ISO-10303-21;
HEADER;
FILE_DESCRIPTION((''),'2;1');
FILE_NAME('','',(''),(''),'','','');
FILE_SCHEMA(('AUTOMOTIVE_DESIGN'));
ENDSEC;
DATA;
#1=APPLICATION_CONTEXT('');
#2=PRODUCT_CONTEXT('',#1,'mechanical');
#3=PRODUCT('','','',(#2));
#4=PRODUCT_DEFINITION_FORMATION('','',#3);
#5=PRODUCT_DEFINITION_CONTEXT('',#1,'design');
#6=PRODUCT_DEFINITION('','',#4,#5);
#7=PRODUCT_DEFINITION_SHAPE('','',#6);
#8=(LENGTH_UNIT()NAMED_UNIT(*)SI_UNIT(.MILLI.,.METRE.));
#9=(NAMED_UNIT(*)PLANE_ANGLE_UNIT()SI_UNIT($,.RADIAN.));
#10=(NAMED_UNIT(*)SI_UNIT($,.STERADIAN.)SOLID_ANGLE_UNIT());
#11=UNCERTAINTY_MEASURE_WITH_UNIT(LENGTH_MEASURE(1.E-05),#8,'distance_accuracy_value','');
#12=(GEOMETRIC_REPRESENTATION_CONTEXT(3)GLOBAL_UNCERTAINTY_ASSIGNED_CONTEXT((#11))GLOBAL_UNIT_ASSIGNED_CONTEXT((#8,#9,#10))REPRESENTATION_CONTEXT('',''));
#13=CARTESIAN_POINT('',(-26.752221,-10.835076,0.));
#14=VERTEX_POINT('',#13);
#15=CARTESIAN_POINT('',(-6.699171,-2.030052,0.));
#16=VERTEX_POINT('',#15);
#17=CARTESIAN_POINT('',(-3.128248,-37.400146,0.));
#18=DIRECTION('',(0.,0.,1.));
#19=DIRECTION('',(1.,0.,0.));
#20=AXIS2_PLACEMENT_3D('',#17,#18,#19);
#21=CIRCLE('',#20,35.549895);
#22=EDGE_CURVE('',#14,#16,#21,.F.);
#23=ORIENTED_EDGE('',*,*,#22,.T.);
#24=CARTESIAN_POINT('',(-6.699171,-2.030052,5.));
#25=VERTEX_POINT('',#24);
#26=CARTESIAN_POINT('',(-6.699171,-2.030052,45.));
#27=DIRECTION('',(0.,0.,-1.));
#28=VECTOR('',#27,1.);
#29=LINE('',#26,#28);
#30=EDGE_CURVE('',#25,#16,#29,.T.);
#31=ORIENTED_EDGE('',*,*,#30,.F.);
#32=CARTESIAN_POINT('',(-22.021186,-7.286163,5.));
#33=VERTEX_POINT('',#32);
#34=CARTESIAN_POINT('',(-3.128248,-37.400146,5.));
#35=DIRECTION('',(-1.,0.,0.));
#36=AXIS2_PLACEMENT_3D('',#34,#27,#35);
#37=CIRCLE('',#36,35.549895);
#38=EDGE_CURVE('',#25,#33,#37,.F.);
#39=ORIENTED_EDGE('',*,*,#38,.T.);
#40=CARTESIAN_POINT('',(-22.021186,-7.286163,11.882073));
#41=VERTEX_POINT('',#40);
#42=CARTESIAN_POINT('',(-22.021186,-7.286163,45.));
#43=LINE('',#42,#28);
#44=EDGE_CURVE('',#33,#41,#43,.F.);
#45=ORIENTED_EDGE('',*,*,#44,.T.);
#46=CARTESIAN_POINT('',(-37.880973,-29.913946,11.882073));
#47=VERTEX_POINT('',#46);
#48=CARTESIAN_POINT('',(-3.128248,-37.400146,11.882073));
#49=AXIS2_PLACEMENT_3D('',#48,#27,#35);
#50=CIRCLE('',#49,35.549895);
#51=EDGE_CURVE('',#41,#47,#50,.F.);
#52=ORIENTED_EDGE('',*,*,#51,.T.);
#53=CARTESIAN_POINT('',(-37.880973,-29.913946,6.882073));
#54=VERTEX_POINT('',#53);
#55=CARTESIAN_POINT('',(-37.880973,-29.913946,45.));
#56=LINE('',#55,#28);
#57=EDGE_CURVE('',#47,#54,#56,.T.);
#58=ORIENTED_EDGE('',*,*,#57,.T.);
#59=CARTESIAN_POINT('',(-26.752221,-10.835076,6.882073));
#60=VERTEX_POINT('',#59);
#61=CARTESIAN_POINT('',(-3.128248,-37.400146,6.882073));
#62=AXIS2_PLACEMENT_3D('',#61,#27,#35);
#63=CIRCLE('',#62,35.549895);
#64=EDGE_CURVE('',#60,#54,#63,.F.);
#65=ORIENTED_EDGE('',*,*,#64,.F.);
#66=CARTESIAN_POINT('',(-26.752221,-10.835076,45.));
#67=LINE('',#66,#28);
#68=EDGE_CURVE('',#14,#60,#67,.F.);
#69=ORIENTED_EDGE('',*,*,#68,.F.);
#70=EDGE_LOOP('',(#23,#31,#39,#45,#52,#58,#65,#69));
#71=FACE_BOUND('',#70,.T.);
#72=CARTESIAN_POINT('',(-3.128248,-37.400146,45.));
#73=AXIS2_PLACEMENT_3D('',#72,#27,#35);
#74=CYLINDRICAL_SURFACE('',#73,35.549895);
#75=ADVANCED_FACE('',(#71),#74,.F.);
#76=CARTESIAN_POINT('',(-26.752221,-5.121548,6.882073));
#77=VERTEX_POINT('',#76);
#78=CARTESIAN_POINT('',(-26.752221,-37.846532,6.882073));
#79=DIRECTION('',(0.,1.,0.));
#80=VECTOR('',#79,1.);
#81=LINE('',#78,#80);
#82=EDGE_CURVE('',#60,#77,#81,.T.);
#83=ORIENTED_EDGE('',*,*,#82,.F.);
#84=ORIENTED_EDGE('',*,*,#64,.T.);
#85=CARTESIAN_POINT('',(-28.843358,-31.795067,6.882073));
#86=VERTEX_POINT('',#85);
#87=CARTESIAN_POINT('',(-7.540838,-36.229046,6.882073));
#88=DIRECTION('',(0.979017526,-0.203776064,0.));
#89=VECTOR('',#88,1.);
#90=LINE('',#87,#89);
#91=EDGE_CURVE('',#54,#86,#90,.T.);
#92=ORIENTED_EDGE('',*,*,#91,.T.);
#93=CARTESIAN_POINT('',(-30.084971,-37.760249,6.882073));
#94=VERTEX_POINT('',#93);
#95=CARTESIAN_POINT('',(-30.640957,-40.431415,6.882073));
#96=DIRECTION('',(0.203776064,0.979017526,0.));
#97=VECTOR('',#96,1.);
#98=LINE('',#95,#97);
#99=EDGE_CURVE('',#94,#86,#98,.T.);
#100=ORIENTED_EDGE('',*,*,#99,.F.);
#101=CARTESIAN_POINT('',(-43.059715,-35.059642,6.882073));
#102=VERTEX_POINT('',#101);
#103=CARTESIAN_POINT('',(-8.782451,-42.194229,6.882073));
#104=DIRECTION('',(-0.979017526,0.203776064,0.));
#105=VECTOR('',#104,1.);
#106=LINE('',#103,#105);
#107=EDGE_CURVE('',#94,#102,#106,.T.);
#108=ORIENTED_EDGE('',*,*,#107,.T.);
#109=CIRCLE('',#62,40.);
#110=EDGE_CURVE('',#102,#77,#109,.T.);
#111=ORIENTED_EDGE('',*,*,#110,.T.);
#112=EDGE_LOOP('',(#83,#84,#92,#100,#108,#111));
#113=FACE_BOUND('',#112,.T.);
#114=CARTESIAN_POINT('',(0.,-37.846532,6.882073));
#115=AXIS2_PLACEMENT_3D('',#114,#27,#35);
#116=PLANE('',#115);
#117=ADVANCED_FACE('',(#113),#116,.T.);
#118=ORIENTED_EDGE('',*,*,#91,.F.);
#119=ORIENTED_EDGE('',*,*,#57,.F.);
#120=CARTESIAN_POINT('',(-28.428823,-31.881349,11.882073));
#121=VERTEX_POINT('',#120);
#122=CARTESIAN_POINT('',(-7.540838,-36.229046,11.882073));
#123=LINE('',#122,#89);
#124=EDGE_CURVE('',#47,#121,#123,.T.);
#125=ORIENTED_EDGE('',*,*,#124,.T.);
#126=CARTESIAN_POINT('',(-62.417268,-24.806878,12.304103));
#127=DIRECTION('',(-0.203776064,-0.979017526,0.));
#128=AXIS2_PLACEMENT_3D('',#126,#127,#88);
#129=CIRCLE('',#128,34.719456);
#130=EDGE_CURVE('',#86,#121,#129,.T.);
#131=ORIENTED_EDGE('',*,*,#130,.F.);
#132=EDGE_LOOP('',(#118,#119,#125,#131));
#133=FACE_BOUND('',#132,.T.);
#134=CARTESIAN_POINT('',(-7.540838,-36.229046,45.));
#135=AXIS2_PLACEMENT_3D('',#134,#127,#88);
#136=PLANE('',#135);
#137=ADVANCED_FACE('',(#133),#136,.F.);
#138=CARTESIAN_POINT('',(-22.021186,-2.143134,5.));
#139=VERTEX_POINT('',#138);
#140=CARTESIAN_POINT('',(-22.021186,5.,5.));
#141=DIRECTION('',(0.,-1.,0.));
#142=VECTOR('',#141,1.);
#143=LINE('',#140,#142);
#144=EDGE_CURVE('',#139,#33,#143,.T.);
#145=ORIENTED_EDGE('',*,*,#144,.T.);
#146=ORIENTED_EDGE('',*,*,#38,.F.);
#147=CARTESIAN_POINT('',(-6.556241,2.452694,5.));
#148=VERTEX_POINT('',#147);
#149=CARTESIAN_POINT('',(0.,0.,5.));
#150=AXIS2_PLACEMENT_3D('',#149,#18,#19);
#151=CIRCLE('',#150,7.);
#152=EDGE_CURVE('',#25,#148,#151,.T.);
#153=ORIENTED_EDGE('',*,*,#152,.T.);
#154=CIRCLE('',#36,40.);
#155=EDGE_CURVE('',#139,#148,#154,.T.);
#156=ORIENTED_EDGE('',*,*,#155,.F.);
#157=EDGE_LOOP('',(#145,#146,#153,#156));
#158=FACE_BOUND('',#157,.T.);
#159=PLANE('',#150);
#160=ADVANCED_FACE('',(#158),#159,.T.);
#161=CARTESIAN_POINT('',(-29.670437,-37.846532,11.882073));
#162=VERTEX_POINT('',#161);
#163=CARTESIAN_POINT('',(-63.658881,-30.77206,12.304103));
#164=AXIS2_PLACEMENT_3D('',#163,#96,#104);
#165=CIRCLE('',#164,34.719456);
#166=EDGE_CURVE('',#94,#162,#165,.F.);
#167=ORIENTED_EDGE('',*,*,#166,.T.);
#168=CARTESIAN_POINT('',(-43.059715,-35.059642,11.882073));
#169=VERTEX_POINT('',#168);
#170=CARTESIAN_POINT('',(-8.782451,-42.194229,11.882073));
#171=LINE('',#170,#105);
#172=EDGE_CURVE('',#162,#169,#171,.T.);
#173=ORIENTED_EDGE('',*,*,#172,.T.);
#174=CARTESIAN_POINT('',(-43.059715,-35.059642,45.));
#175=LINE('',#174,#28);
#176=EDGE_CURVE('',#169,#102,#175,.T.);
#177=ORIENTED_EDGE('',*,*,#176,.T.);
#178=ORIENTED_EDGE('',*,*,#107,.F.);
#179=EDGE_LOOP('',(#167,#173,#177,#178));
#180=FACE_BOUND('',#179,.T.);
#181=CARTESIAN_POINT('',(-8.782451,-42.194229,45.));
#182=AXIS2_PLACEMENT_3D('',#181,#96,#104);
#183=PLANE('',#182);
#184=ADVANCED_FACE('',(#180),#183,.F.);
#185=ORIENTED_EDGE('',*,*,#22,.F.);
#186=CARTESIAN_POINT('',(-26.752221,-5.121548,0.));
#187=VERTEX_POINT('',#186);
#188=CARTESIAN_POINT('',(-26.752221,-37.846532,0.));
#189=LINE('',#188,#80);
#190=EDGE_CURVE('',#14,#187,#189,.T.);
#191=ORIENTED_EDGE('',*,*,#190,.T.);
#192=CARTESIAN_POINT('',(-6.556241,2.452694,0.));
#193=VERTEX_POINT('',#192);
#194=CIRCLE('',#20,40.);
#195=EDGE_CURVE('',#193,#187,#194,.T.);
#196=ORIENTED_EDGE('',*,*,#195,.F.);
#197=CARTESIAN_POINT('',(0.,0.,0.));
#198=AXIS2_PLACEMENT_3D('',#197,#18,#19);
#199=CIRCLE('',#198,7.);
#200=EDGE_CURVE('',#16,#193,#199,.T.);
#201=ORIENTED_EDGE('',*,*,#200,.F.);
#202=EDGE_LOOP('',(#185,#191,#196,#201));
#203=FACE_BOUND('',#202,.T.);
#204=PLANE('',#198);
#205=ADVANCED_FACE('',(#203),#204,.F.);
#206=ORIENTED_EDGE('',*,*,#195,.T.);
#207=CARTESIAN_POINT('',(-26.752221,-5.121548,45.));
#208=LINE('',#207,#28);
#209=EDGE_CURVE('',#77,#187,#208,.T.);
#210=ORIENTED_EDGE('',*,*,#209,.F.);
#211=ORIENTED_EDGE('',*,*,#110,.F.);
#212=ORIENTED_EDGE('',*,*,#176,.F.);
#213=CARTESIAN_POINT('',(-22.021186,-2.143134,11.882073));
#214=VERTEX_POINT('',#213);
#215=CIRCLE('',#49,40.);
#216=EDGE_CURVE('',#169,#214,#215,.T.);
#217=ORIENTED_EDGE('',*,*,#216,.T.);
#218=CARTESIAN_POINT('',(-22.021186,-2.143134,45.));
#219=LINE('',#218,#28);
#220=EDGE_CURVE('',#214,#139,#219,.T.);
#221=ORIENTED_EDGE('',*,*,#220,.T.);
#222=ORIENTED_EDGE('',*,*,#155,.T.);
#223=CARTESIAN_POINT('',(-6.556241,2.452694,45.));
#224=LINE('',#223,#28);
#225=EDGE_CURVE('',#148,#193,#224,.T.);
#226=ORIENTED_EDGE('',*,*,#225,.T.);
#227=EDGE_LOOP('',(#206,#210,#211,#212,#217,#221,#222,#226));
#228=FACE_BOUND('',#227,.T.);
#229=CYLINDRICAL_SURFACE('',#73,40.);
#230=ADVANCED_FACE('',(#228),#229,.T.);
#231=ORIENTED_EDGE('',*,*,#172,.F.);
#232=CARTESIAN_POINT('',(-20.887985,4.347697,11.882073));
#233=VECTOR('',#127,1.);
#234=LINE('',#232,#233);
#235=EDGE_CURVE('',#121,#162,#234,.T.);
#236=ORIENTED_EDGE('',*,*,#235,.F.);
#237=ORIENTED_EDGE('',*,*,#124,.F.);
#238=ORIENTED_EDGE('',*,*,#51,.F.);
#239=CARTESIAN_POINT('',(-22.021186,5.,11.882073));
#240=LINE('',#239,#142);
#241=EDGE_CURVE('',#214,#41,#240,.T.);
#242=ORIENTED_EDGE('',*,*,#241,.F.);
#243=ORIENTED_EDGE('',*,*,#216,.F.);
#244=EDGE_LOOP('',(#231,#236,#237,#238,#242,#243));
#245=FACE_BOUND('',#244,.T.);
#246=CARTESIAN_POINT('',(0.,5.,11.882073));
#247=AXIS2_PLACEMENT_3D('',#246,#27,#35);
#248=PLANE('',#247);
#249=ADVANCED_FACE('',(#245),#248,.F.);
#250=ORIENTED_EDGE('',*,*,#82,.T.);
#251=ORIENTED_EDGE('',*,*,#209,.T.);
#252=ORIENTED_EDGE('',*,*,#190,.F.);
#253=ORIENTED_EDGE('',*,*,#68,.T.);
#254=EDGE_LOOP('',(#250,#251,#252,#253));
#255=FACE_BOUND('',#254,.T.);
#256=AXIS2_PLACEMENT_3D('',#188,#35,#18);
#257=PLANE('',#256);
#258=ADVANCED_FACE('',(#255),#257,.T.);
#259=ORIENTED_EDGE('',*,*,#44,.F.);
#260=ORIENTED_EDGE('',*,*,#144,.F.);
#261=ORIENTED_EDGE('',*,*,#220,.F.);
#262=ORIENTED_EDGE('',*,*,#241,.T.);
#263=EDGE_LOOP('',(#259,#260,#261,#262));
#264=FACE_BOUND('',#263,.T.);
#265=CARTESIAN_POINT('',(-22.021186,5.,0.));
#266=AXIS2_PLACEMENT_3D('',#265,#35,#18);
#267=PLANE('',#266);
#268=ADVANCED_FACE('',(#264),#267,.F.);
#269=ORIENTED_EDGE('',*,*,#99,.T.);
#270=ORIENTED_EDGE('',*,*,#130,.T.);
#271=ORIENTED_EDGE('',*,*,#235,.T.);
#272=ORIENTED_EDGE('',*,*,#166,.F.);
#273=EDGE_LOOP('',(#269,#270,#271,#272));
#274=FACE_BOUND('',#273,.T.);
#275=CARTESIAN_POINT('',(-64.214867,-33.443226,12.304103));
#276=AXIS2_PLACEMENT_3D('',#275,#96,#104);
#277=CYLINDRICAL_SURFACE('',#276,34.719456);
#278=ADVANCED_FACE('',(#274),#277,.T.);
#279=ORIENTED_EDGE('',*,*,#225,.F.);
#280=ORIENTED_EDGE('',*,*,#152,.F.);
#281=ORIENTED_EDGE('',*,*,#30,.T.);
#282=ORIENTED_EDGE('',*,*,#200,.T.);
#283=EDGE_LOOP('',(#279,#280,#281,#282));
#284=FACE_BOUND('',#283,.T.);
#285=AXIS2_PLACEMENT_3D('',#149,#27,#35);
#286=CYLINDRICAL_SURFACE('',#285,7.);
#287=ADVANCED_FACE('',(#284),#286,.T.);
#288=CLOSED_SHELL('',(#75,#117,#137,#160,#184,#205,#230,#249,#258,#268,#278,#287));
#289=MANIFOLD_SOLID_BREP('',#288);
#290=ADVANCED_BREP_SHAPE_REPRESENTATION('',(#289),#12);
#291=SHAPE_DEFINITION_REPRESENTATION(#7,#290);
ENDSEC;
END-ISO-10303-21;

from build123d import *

# Parameters (mm, degrees)
BOSS_EXTRU_2_DEPTH           = 5
BOSS_EXTRU_3_DEPTH           = 45
ENL_V_MAT_EXTRU_3_DEPTH      = 5
ENL_V_MAT_EXTRU_3_DEPTH_BACK = 73.880031702
ESQUISSE4_4_W                = 16.307493561
ESQUISSE4_4_H                = 6.882073419
ENL_V_MAT_EXTRU_4_DEPTH      = 59.546414832
ENL_V_MAT_EXTRU_6_DEPTH      = 58.197243994


with BuildPart() as part:
    # Esquisse3 → Boss.-Extru.2 (new body)
    with BuildSketch(Plane.XY):
        with BuildLine():
            ThreePointArc((7, 0), (1.246257582, 6.888166813), (-6.556240583, 2.452694319))
            ThreePointArc((-6.556240583, 2.452694319), (-6.99644453, 0.22307834), (-6.699170831, -2.030051767))
            ThreePointArc((-6.699170831, -2.030051767), (1.026110175, -6.924384298), (7, 0))
        make_face()
    extrude(amount=BOSS_EXTRU_2_DEPTH)

    # Esquisse3<3> → Boss.-Extru.3 (add)
    with BuildSketch(Plane.XY):
        with BuildLine():
            ThreePointArc((-6.556240583, 2.452694319), (-31.795381091, -9.503990443), (-43.059714875, -35.059641647))
            Line((-43.059714875, -35.059641647), (-29.67043681, -37.846531887))
            Line((-29.67043681, -37.846531887), (-28.42882324, -31.881349224))
            Line((-28.42882324, -31.881349224), (-37.880972605, -29.913946449))
            ThreePointArc((-37.880972605, -29.913946449), (-26.825365644, -10.900303142), (-6.699170831, -2.030051767))
            ThreePointArc((-6.699170831, -2.030051767), (-6.99644453, 0.22307834), (-6.556240583, 2.452694319))
        make_face()
    extrude(amount=BOSS_EXTRU_3_DEPTH)

    # Esquisse4 → Enlèv. mat.-Extru.3 (cut, two sides: drawn at the far end of the back side and taken through both)
    with BuildSketch(Plane(origin=(0, 0, 0), x_dir=(1, 0, 0), z_dir=(0, 1, 0)).offset(-ENL_V_MAT_EXTRU_3_DEPTH_BACK)):
        Polygon((-6.556240583, -21.643777245), (-6.556240583, -5), (-22.02118604, -5), (-22.02118604, -11.882073419), (-43.059714875, -11.882073419), (-43.059714875, -11.918484986), (-43.059714875, -45), (-43.059714875, -53.527020644), (-6.425184121, -53.527020644), align=None)
    extrude(amount=ENL_V_MAT_EXTRU_3_DEPTH + ENL_V_MAT_EXTRU_3_DEPTH_BACK, mode=Mode.SUBTRACT)

    # Esquisse4<4> → Enlèv. mat.-Extru.4 (cut, through all)
    with BuildSketch(Plane(origin=(0, 0, 0), x_dir=(1, 0, 0), z_dir=(0, 1, 0))):
        with Locations((-34.905968095, -3.44103671)):
            Rectangle(ESQUISSE4_4_W, ESQUISSE4_4_H)
    extrude(amount=-ENL_V_MAT_EXTRU_4_DEPTH, mode=Mode.SUBTRACT)

    # Esquisse5 → Enlèv. mat.-Extru.6 (cut, through all)
    with BuildSketch(Plane(origin=(-7.540837864, -36.229046112, 0), x_dir=(0.9790175257089632, -0.2037760642340011, 0), z_dir=(0.2037760642340011, 0.9790175257089632, 0))):
        with BuildLine():
            Line((-21.759079286, -6.882073419), (-21.33566032, -6.882073419))
            Line((-21.33566032, -6.882073419), (-21.33566032, -11.882073419))
            ThreePointArc((-21.33566032, -11.882073419), (-21.456922238, -9.374413977), (-21.759079286, -6.882073419))
        make_face()
    extrude(amount=-ENL_V_MAT_EXTRU_6_DEPTH, mode=Mode.SUBTRACT)


solid = part.part
